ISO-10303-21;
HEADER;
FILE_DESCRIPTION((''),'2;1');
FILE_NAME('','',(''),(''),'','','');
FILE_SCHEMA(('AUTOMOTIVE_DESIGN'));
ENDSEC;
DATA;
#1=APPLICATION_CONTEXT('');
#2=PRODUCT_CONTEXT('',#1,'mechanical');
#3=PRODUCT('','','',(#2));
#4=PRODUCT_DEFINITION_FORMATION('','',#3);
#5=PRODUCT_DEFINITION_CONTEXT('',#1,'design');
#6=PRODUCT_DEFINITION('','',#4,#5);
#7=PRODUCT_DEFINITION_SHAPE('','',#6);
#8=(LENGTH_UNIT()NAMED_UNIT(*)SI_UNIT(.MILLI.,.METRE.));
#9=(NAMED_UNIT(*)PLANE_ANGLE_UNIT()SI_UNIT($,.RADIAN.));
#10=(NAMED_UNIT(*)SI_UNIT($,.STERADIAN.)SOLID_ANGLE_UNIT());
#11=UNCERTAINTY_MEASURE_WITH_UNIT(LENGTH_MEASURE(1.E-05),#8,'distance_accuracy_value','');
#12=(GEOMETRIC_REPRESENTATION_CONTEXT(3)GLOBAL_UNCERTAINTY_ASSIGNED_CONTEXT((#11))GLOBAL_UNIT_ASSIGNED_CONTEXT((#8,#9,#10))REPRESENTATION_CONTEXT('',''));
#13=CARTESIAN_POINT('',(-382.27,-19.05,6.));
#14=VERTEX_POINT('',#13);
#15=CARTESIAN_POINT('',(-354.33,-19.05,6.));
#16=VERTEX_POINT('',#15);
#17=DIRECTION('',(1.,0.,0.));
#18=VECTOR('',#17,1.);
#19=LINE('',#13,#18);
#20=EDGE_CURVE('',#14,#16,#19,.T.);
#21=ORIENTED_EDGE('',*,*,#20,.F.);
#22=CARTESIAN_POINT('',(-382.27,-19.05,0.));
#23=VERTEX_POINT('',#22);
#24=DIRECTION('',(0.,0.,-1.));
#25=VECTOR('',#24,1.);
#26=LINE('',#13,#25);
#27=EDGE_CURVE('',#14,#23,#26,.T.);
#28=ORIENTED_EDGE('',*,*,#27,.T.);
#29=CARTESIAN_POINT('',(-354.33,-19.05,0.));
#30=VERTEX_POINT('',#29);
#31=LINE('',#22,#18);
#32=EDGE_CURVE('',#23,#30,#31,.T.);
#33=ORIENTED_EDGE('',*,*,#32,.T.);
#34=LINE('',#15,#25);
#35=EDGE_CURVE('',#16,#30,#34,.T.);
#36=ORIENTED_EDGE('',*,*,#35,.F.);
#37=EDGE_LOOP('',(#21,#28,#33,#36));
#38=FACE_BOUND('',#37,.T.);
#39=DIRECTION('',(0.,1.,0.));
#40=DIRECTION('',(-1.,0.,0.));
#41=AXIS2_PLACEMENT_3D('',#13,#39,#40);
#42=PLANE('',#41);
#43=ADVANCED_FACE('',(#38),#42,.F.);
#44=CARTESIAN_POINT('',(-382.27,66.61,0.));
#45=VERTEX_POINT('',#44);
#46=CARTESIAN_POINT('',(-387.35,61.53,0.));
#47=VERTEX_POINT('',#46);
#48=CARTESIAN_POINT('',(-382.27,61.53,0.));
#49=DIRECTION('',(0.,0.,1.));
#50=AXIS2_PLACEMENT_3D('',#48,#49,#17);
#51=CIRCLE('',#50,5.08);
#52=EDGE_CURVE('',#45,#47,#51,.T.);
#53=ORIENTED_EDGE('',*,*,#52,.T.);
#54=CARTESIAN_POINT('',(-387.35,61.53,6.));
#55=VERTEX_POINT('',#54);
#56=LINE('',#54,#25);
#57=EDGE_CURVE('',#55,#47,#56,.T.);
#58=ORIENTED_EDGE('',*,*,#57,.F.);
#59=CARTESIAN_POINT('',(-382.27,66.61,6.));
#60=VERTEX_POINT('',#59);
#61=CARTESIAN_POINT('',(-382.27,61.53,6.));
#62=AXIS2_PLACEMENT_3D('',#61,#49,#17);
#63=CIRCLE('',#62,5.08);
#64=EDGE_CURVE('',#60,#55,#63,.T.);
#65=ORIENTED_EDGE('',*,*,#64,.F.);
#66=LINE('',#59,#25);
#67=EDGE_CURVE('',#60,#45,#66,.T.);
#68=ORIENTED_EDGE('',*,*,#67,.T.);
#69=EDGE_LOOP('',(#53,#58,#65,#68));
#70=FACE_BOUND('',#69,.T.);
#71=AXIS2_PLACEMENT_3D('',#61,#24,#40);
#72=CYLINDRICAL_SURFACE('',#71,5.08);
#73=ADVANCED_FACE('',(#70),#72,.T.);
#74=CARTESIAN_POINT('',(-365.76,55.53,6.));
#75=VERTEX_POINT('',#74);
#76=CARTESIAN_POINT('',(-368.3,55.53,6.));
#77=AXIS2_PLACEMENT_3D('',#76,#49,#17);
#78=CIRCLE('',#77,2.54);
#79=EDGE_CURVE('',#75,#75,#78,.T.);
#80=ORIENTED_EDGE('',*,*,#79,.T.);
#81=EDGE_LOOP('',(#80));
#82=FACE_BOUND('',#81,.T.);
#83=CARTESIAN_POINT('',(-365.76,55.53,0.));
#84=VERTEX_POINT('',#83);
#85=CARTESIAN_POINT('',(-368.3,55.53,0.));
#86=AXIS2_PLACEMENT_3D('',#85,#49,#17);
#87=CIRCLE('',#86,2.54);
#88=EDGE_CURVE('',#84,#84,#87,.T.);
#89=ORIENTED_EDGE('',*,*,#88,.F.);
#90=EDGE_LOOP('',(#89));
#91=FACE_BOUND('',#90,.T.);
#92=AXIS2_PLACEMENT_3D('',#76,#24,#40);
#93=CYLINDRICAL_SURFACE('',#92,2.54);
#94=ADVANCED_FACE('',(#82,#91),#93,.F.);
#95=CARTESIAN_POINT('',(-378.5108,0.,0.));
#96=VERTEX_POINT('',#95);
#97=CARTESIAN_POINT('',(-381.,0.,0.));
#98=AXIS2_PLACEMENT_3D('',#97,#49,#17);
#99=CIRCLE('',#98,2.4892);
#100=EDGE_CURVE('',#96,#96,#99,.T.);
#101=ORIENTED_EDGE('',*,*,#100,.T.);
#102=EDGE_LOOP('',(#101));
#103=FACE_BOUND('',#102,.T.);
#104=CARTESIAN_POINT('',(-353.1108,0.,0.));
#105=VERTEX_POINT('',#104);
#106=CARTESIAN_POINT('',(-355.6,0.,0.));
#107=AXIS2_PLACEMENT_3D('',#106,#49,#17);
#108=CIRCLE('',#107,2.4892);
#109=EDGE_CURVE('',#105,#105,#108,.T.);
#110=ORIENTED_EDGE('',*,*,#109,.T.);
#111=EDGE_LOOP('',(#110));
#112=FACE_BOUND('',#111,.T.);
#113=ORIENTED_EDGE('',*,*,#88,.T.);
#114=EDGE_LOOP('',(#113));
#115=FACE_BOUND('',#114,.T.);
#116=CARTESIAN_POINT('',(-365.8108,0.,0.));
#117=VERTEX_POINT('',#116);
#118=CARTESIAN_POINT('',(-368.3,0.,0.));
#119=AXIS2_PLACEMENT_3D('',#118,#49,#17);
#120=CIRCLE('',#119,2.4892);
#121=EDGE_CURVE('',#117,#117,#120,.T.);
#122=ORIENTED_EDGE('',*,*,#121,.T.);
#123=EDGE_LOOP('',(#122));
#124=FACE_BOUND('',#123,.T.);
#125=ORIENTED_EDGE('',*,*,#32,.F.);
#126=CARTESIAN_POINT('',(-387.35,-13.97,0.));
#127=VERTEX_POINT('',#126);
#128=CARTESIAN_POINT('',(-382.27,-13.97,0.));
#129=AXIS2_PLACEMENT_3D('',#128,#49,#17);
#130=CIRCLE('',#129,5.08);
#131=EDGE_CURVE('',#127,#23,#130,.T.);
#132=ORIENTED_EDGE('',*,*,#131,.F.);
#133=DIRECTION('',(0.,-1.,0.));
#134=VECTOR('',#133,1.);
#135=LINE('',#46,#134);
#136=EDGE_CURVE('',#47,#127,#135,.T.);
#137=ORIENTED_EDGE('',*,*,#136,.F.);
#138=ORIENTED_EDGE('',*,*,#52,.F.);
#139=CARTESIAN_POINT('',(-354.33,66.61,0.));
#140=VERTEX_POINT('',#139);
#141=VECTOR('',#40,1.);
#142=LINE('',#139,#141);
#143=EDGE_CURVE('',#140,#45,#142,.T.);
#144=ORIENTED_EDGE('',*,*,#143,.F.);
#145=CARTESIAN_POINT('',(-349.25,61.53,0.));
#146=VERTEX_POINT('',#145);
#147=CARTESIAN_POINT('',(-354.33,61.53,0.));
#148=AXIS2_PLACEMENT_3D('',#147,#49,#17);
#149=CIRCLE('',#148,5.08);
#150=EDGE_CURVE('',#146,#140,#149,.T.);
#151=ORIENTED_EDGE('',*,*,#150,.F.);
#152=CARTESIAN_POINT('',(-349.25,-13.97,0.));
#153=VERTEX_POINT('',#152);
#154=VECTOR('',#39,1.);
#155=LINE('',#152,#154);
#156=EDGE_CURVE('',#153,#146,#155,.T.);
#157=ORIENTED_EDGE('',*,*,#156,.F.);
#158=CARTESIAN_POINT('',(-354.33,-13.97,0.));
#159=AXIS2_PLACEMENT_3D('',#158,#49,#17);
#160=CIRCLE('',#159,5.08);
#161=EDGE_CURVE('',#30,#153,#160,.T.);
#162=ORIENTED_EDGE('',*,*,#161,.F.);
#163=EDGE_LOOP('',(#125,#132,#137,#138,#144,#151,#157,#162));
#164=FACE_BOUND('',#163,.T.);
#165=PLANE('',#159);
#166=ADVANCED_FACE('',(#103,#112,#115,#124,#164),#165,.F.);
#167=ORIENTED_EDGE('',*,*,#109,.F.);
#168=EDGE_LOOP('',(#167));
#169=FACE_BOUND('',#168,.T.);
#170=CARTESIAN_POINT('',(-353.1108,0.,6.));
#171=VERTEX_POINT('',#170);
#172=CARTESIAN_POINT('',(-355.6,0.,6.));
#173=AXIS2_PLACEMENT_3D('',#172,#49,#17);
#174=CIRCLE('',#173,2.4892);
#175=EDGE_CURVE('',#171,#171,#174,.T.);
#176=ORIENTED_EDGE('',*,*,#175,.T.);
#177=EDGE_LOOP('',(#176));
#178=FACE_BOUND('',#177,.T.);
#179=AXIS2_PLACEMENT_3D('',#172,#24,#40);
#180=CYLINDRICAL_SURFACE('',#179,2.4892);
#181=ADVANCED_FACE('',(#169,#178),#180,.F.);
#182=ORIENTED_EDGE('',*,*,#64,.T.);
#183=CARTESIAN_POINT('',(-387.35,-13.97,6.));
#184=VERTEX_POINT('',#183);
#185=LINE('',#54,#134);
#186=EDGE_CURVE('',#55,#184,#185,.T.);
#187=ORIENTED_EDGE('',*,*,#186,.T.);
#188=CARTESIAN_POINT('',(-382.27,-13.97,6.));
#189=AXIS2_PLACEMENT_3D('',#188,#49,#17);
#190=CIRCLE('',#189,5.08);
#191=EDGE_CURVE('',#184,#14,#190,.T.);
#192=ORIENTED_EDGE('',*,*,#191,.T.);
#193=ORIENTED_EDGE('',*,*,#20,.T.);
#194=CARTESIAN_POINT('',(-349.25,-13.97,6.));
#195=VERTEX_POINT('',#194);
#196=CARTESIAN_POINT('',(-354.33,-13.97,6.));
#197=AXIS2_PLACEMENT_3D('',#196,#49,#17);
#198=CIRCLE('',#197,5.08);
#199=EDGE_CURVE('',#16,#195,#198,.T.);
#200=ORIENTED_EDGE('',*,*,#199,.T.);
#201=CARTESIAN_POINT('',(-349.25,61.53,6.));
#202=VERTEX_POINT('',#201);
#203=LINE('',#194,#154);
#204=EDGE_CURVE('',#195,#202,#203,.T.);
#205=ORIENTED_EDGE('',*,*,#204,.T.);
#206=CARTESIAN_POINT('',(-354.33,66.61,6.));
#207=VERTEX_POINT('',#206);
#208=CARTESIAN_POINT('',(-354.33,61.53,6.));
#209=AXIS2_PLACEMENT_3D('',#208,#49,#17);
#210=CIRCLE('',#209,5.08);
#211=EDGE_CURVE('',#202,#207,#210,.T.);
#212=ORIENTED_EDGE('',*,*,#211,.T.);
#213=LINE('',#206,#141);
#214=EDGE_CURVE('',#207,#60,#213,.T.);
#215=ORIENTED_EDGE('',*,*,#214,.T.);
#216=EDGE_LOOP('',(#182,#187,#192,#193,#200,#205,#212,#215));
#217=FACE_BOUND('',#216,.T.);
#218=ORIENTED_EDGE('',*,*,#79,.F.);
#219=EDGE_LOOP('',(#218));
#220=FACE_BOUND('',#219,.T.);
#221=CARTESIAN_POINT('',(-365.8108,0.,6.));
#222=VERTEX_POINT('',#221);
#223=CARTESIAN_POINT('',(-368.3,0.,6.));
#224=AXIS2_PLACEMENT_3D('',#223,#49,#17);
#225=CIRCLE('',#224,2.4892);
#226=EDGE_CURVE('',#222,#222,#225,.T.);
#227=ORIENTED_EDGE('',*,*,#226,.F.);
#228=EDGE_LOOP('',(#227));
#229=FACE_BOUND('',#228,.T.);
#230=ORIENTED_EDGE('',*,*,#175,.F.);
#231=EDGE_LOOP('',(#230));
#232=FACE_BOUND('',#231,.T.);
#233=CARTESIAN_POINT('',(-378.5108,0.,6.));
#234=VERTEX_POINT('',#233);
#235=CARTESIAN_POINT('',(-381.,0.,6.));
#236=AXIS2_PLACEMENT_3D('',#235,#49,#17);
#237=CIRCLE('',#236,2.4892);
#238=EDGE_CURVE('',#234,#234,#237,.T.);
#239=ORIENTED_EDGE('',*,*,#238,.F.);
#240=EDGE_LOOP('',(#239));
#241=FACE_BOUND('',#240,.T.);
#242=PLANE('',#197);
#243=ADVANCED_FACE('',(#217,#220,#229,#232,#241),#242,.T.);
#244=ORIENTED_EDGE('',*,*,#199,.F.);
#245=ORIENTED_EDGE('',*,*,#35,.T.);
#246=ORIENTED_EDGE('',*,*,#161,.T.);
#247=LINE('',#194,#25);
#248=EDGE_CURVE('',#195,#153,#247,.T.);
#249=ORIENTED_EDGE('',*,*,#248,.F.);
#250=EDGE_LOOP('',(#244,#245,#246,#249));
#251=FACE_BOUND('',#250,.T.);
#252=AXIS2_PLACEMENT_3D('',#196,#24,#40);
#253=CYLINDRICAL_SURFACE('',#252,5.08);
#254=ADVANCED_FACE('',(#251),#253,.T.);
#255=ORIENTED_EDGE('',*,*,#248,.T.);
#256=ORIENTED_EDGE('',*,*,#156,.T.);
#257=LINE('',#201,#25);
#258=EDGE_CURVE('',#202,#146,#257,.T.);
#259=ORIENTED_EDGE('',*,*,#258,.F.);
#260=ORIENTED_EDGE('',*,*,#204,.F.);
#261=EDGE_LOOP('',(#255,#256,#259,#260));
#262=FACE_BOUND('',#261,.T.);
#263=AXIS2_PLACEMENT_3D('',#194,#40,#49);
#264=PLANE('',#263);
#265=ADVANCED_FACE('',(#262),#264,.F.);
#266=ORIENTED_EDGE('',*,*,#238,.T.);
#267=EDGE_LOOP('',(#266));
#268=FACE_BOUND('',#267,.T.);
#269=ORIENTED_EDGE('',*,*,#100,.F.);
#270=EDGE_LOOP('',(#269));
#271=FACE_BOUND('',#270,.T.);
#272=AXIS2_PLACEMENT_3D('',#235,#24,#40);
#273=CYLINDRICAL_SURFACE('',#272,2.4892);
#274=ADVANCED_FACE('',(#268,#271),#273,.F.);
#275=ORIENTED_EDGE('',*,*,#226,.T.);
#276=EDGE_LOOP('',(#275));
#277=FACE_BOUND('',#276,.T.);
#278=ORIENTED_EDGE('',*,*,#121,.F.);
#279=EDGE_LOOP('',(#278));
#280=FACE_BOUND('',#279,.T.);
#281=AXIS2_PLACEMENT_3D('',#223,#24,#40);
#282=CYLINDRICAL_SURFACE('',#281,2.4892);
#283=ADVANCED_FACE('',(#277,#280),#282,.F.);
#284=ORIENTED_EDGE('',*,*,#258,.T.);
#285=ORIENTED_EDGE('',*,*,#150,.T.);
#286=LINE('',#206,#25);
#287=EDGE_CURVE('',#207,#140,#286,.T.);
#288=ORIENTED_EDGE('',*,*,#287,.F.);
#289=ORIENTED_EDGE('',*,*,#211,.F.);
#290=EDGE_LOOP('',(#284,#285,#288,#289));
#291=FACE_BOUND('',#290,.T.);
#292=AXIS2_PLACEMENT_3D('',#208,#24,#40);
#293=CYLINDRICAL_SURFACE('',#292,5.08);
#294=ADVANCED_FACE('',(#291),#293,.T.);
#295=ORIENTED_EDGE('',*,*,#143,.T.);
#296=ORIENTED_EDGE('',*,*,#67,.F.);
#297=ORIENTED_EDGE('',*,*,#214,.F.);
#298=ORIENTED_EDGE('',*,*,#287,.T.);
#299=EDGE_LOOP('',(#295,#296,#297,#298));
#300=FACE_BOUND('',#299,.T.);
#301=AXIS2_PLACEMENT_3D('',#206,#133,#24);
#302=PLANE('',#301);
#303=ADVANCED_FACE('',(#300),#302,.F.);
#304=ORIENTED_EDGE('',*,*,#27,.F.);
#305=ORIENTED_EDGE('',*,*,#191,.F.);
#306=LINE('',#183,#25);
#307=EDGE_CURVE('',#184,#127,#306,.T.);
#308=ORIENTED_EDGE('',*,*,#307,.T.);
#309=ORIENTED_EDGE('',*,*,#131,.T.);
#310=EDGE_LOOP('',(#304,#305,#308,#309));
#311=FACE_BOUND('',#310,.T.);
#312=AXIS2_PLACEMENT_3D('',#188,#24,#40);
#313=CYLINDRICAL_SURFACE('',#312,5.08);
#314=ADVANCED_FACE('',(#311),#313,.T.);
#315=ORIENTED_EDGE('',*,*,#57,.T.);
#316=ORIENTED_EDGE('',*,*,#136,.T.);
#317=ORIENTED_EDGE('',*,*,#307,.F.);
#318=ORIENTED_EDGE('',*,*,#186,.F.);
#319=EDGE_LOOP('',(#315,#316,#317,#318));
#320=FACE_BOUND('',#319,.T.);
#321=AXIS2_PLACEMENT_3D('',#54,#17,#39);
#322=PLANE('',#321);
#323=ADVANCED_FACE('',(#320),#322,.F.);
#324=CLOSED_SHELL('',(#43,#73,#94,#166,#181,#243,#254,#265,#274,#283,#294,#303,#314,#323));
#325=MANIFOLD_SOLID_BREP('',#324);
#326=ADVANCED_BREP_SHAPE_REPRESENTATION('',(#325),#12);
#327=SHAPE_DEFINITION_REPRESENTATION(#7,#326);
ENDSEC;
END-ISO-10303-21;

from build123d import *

# Parameters (mm, degrees)
SKETCH1_R           = 2.4892
SKETCH1_R_2         = 2.54
BOSS_EXTRUDE1_DEPTH = 6


with BuildPart() as part:
    # Sketch1 → Boss-Extrude1 (new body)
    with BuildSketch(Plane.XY):
        with BuildLine():
            Line((-382.27, -19.05), (-354.33, -19.05))
            ThreePointArc((-354.33, -19.05), (-350.737897552, -17.562102448), (-349.25, -13.97))
            Line((-349.25, -13.97), (-349.25, 61.53))
            ThreePointArc((-349.25, 61.53), (-350.737897552, 65.122102448), (-354.33, 66.61))
            Line((-354.33, 66.61), (-382.27, 66.61))
            ThreePointArc((-382.27, 66.61), (-385.862102448, 65.122102448), (-387.35, 61.53))
            Line((-387.35, 61.53), (-387.35, -13.97))
            ThreePointArc((-387.35, -13.97), (-385.862102448, -17.562102448), (-382.27, -19.05))
        make_face()
        with Locations((-368.3, 0)):
            Circle(SKETCH1_R, mode=Mode.SUBTRACT)
        with Locations((-355.6, 0)):
            Circle(SKETCH1_R, mode=Mode.SUBTRACT)
        with Locations((-381, 0)):
            Circle(SKETCH1_R, mode=Mode.SUBTRACT)
        with Locations((-368.3, 55.53)):
            Circle(SKETCH1_R_2, mode=Mode.SUBTRACT)
    extrude(amount=BOSS_EXTRUDE1_DEPTH)


solid = part.part
